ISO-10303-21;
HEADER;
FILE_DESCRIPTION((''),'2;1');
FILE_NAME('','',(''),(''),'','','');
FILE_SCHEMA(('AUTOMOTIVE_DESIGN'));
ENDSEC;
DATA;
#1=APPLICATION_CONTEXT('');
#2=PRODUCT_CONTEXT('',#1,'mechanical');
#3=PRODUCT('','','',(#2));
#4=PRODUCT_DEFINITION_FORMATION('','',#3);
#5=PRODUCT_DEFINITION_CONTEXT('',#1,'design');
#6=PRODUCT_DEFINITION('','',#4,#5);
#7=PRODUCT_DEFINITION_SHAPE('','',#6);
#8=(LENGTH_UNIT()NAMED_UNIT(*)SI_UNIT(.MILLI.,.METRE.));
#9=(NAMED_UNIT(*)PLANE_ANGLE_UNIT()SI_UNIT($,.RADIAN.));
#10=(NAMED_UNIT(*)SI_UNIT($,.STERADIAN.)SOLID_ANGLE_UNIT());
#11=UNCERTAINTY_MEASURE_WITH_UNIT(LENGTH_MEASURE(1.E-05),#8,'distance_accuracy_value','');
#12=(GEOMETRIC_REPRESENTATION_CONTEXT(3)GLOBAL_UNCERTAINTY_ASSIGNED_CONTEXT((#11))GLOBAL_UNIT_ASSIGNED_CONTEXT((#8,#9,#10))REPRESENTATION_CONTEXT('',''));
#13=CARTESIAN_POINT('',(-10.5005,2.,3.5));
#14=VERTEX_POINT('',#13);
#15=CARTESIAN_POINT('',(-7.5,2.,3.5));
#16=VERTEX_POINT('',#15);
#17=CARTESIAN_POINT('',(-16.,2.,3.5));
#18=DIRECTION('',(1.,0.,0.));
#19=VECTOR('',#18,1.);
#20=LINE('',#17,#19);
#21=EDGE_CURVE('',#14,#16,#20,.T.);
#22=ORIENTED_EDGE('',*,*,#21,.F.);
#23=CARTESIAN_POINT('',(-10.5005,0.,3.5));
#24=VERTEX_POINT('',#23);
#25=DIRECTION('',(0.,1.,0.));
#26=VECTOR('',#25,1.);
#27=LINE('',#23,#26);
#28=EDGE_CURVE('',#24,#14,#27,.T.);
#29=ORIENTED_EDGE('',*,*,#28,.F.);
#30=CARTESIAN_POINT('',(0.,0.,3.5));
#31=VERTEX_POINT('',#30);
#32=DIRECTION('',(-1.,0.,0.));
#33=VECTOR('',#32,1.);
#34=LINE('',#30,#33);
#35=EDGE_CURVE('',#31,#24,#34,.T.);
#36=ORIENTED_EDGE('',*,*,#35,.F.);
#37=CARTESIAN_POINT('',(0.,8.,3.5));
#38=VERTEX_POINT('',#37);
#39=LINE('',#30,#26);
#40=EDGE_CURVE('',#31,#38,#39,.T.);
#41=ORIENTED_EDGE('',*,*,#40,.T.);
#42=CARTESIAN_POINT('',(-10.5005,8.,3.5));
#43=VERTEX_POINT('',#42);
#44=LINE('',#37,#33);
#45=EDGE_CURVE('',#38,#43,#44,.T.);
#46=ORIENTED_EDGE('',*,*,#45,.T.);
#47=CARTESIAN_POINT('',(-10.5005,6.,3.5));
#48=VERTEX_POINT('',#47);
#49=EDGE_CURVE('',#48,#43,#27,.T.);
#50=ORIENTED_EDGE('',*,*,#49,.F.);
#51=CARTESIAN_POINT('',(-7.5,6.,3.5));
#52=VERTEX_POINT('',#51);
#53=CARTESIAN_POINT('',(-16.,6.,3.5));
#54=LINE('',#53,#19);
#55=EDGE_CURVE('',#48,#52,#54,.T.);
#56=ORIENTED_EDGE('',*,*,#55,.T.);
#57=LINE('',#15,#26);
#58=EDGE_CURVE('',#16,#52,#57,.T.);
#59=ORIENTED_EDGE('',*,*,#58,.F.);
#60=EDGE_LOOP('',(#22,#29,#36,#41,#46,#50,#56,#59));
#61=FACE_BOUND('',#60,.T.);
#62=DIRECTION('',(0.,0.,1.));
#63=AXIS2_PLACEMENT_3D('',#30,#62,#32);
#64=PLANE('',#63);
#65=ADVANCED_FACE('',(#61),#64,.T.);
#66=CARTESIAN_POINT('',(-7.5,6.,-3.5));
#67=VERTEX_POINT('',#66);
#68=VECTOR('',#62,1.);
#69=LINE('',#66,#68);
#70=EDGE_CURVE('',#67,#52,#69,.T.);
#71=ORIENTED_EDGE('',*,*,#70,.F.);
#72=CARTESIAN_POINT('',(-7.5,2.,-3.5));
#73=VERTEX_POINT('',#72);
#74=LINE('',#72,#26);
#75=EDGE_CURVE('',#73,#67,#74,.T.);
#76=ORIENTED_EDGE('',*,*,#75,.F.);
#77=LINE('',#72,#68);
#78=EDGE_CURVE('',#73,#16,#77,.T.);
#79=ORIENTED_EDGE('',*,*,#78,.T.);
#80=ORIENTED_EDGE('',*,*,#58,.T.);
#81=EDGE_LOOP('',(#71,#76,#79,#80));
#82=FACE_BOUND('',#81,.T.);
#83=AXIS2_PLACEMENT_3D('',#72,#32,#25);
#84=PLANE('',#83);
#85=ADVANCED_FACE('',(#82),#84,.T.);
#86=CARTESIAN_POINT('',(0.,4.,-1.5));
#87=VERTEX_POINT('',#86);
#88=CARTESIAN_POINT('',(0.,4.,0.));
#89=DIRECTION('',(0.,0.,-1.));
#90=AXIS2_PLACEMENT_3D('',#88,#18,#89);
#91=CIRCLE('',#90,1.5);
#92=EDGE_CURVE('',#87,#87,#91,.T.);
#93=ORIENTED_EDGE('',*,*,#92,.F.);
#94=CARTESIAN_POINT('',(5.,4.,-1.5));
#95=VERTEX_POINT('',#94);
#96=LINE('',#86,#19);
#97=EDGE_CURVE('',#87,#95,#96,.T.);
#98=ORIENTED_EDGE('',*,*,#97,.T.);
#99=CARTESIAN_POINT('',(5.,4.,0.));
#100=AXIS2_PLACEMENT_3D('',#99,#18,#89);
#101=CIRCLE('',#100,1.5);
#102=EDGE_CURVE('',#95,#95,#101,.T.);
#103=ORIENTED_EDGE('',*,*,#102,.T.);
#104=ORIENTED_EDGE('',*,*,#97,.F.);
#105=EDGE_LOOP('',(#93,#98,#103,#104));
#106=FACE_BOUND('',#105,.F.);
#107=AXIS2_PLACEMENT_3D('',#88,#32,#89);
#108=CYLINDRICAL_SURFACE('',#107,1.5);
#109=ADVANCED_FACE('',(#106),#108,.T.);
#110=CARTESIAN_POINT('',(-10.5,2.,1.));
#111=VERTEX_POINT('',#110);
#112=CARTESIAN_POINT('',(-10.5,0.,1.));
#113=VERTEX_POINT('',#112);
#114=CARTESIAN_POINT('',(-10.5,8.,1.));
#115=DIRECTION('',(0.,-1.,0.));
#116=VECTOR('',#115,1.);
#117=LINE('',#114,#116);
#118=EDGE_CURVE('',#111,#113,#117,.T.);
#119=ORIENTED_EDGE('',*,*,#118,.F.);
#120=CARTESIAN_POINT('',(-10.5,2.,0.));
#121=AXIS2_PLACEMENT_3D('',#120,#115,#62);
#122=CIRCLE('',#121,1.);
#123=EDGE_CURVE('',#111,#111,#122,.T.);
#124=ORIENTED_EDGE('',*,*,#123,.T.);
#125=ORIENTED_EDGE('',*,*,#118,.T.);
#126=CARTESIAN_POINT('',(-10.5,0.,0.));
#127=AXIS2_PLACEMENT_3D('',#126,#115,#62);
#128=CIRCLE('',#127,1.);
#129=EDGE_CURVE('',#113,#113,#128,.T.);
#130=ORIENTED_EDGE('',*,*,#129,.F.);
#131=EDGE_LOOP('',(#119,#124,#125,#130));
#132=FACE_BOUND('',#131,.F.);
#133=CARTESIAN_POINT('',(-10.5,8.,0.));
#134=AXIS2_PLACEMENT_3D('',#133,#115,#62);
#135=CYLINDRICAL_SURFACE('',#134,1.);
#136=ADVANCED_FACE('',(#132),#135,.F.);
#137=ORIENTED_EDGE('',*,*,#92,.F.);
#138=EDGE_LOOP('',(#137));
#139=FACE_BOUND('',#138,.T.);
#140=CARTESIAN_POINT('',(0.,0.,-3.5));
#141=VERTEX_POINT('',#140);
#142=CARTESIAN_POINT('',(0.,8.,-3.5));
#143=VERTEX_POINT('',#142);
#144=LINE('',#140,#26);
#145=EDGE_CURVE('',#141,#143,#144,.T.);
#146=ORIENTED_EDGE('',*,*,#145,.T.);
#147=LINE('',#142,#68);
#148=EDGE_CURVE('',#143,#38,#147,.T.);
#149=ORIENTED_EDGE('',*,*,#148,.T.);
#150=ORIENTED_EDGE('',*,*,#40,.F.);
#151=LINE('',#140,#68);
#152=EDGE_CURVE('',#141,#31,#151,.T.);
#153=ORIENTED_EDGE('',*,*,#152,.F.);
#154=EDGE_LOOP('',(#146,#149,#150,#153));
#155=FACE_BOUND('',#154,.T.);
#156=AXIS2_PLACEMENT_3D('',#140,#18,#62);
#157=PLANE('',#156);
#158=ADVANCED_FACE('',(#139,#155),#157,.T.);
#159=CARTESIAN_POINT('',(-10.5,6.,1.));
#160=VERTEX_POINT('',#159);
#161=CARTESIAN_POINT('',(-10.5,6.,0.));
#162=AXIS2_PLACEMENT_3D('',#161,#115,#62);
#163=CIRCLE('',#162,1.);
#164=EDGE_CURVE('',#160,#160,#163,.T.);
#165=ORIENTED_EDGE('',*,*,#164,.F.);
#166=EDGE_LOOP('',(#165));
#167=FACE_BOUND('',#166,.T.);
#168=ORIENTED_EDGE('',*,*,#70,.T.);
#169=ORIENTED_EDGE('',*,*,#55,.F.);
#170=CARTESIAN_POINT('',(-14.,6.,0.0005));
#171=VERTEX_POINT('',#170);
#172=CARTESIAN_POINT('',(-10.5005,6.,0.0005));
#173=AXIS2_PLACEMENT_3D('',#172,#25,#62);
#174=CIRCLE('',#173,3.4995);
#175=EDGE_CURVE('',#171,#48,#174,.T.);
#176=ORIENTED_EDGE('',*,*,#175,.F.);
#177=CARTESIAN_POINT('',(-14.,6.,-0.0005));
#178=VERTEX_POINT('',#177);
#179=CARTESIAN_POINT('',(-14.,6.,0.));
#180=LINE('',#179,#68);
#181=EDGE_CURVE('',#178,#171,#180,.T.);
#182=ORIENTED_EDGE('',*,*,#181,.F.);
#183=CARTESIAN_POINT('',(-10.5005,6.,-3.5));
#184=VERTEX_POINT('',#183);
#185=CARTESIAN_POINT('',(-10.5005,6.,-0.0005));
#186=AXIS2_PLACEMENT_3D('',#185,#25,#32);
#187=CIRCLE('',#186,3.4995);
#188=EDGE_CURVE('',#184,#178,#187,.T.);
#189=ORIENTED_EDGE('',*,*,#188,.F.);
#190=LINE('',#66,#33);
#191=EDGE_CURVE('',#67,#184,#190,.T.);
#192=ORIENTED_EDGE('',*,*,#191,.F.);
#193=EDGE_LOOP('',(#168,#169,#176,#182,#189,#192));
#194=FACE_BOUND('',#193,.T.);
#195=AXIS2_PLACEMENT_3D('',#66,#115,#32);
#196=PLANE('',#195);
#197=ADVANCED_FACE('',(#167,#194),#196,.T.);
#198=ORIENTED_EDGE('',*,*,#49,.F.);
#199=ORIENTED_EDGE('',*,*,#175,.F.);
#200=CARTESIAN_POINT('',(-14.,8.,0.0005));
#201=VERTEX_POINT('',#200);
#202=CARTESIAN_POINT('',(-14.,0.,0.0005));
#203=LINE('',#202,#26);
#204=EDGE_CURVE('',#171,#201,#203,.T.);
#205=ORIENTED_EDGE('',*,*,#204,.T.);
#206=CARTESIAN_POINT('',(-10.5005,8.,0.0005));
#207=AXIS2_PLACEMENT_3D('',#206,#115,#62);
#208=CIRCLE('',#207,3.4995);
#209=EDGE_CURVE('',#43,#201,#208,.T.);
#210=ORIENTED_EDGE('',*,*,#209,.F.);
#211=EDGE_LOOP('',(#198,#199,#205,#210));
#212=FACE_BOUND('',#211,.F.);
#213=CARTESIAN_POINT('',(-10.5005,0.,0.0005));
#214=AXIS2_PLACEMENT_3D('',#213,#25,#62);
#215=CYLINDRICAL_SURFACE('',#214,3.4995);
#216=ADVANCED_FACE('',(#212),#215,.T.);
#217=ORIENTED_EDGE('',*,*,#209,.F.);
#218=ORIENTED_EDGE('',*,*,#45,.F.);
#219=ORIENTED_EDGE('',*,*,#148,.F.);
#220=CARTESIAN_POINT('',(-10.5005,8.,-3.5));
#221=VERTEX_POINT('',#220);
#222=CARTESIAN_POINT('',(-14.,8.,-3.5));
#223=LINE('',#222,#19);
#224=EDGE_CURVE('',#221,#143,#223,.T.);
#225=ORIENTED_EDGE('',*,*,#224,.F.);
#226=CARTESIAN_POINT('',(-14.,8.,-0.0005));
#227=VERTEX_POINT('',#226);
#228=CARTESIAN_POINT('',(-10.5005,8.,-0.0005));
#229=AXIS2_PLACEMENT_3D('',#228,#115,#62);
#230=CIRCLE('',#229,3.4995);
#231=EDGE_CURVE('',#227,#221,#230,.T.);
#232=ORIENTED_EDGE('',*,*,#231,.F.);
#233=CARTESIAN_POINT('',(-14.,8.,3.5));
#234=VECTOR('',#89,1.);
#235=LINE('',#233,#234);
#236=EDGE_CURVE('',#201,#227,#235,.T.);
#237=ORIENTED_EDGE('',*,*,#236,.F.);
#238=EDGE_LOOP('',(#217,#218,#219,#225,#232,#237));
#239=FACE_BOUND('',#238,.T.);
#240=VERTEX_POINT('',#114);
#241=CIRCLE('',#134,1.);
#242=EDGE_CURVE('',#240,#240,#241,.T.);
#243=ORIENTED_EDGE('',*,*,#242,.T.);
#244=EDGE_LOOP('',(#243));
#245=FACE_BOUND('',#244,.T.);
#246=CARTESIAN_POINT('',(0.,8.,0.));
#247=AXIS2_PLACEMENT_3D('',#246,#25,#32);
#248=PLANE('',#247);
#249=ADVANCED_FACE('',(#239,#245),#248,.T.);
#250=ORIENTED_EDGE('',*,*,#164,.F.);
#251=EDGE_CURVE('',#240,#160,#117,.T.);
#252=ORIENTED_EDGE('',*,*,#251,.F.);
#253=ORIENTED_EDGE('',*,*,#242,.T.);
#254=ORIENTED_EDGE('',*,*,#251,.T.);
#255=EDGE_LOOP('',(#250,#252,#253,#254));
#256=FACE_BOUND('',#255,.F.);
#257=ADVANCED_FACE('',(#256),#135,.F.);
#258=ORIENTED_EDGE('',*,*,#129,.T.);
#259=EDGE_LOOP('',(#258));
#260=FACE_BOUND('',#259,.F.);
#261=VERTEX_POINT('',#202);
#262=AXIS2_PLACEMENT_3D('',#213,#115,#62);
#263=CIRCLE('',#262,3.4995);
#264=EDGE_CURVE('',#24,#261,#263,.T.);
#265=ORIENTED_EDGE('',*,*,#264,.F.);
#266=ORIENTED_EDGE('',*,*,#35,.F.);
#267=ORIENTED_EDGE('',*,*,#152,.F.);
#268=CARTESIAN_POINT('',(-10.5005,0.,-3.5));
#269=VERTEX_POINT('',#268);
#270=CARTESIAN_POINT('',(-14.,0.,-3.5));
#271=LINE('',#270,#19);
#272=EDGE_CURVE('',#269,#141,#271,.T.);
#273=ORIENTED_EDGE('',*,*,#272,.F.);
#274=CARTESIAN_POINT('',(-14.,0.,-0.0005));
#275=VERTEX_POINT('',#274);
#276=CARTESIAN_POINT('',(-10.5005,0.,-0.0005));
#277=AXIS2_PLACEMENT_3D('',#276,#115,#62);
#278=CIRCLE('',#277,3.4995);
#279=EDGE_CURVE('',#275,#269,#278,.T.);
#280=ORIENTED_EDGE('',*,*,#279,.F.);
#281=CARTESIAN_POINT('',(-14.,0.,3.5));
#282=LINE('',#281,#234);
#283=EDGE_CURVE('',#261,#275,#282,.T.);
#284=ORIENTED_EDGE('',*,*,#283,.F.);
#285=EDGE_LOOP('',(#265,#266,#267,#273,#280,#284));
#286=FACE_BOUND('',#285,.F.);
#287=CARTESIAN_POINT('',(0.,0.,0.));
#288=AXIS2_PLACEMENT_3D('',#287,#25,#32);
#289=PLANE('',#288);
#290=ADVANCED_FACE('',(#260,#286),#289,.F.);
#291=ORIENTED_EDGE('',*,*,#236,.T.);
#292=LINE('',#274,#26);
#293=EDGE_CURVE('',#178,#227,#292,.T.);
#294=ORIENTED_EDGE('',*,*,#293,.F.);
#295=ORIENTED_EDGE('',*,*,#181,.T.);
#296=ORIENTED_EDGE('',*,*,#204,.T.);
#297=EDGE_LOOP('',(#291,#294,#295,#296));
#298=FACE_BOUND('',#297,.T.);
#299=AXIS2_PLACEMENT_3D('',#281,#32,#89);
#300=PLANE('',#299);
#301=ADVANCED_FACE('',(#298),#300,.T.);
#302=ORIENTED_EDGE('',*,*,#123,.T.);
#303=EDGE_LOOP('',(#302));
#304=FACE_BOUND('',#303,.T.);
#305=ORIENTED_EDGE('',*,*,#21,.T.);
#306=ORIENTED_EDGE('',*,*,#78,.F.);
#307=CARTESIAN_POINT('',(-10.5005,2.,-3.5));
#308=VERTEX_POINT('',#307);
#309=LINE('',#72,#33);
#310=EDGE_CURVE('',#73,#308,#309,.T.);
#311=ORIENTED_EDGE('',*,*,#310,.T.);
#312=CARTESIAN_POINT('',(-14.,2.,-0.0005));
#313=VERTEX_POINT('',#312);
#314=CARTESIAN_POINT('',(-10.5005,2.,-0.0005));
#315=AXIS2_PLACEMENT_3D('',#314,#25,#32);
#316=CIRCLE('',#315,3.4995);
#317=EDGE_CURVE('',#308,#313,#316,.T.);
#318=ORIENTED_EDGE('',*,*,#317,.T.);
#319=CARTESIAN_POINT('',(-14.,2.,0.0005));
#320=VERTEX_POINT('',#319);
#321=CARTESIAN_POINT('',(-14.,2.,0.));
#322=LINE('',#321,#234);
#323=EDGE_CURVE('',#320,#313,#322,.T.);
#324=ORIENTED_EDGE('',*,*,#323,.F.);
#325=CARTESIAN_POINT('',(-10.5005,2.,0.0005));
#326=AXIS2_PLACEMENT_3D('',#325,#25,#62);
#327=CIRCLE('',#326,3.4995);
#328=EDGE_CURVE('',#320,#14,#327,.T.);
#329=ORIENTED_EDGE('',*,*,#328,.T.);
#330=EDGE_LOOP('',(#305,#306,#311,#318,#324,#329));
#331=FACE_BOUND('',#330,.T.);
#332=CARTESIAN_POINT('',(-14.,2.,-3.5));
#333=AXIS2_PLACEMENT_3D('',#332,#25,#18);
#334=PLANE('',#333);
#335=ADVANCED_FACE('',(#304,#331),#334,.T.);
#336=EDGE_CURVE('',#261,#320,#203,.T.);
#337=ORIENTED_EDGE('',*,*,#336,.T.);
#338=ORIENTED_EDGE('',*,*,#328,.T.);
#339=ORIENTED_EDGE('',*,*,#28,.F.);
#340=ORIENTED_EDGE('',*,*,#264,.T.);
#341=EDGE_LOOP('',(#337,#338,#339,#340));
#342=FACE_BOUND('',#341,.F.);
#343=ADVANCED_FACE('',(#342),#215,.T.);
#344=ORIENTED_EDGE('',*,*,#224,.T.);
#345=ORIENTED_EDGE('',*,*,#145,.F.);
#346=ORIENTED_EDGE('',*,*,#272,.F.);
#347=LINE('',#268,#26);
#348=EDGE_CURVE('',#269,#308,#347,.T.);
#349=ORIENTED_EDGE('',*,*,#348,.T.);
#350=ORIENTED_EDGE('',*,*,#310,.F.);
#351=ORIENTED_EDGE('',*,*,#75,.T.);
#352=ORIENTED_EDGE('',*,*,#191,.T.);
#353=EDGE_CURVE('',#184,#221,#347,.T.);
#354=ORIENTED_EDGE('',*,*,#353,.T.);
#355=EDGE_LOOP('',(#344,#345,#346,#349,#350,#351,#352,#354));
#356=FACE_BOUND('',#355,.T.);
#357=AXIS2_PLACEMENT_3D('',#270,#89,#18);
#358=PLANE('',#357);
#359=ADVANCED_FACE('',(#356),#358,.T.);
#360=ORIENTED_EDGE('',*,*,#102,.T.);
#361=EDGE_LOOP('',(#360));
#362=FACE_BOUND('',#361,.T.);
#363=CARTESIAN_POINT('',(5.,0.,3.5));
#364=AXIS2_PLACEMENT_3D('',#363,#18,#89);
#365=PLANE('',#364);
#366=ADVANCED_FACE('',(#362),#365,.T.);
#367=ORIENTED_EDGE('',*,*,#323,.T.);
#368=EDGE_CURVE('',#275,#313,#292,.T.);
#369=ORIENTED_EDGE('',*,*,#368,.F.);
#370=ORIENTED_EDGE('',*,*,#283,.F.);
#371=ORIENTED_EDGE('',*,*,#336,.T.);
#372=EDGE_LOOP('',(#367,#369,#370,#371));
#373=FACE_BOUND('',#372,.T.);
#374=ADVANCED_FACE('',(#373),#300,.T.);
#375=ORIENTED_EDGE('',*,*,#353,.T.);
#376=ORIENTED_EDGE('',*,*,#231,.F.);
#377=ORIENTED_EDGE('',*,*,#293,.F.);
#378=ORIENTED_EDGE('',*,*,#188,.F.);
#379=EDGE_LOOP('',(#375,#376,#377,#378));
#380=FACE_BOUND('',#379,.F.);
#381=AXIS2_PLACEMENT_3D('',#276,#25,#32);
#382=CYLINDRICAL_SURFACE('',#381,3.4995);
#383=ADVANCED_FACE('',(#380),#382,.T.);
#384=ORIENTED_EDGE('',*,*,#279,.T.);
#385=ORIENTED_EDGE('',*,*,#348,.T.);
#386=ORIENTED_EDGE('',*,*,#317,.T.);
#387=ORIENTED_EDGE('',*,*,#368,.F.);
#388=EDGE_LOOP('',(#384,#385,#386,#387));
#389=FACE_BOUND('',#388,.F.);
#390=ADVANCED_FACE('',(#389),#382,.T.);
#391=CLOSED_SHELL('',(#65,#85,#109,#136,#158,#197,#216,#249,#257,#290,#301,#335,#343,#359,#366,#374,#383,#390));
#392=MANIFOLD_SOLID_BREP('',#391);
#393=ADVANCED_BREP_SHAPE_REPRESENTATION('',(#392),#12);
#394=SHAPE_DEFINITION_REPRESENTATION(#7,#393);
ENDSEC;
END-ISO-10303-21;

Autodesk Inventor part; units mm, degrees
ref_plane "YZ Plane" through (0, 0, 0) normal (1, 0, 0) x (0, 1, 0)
ref_plane "XZ Plane" through (0, 0, 0) normal (0, 1, 0) x (-1, 0, 0)
ref_plane "XY Plane" through (0, 0, 0) normal (0, 0, 1) x (1, 0, 0)
sketch "Skizze1" plane through (0, 0, 0) normal (0, 1, 0) x (-1, 0, 0)
  line L0 (0, 3.5) -> (14, 3.5)
  line L1 (14, 3.5) -> (14, -3.5)
  line L2 (14, -3.5) -> (0, -3.5)
  line L3 (0, -3.5) -> (0, 3.5)
  point P0 (0, 0)
  point P1 (0, 0)
  dimension "d0" = 7
  dimension "d1" = 14
extrude "Extrusion1" add sketch "Skizze1" along normal blind 8
fillet "Rundung1" radius 3.5 2 edges at (-14, 4, -3.5) (-14, 4, 3.5)
sketch "Skizze2" plane through (0, 8, 0) normal (0, 1, 0) x (1, 0, 0)
  arc A0 (-10.5, 3.5) -> (-10.5, -3.5) centre (-10.5, 0) ccw projected
  point P0 (0, 0)
hole "Bohrung1" at (-10.5, 8, 0) direction (0, -1, 0) diameter 2 depth 8
sketch "Skizze3" plane through (0, 0, -3.5) normal (0, 0, -1) x (-1, 0, 0)
  line L0 (7.5, 6) -> (16, 6)
  line L1 (16, 6) -> (16, 2)
  line L2 (16, 2) -> (7.5, 2)
  line L3 (7.5, 2) -> (7.5, 6)
  line L4 (14, 0) -> (14, 8) projected
  line L5 (0, 0) -> (0, 8) projected
  point P0 (7.5, 4)
  point P1 (0, 4)
  point P2 (11.75, 2)
  point P3 (16, 4)
  dimension "d12" = 6.5
  dimension "d13" = 4
  dimension "d14" = 2
extrude "Extrusion2" cut sketch "Skizze3" against normal up to surface (7 mm away)
sketch "Skizze4" plane through (0, 0, 3.5) normal (1, 0, 0) x (0, 0, -1)
  circle A0 centre (3.5, 4) radius 1.5
  line L0 (7, 0) -> (7, 8) projected
  line L1 (0, 0) -> (7, 0) projected
  point P0 (3.5, 0)
  point P1 (7, 4)
  point P2 (3.5, 0)
  dimension "d17" = 3
extrude "Extrusion3" add sketch "Skizze4" along normal blind 5
thread "Gewinde1" size "M3x0.5" class "6g" standard "ISO Metric profile" length 18
properties part number "25"
